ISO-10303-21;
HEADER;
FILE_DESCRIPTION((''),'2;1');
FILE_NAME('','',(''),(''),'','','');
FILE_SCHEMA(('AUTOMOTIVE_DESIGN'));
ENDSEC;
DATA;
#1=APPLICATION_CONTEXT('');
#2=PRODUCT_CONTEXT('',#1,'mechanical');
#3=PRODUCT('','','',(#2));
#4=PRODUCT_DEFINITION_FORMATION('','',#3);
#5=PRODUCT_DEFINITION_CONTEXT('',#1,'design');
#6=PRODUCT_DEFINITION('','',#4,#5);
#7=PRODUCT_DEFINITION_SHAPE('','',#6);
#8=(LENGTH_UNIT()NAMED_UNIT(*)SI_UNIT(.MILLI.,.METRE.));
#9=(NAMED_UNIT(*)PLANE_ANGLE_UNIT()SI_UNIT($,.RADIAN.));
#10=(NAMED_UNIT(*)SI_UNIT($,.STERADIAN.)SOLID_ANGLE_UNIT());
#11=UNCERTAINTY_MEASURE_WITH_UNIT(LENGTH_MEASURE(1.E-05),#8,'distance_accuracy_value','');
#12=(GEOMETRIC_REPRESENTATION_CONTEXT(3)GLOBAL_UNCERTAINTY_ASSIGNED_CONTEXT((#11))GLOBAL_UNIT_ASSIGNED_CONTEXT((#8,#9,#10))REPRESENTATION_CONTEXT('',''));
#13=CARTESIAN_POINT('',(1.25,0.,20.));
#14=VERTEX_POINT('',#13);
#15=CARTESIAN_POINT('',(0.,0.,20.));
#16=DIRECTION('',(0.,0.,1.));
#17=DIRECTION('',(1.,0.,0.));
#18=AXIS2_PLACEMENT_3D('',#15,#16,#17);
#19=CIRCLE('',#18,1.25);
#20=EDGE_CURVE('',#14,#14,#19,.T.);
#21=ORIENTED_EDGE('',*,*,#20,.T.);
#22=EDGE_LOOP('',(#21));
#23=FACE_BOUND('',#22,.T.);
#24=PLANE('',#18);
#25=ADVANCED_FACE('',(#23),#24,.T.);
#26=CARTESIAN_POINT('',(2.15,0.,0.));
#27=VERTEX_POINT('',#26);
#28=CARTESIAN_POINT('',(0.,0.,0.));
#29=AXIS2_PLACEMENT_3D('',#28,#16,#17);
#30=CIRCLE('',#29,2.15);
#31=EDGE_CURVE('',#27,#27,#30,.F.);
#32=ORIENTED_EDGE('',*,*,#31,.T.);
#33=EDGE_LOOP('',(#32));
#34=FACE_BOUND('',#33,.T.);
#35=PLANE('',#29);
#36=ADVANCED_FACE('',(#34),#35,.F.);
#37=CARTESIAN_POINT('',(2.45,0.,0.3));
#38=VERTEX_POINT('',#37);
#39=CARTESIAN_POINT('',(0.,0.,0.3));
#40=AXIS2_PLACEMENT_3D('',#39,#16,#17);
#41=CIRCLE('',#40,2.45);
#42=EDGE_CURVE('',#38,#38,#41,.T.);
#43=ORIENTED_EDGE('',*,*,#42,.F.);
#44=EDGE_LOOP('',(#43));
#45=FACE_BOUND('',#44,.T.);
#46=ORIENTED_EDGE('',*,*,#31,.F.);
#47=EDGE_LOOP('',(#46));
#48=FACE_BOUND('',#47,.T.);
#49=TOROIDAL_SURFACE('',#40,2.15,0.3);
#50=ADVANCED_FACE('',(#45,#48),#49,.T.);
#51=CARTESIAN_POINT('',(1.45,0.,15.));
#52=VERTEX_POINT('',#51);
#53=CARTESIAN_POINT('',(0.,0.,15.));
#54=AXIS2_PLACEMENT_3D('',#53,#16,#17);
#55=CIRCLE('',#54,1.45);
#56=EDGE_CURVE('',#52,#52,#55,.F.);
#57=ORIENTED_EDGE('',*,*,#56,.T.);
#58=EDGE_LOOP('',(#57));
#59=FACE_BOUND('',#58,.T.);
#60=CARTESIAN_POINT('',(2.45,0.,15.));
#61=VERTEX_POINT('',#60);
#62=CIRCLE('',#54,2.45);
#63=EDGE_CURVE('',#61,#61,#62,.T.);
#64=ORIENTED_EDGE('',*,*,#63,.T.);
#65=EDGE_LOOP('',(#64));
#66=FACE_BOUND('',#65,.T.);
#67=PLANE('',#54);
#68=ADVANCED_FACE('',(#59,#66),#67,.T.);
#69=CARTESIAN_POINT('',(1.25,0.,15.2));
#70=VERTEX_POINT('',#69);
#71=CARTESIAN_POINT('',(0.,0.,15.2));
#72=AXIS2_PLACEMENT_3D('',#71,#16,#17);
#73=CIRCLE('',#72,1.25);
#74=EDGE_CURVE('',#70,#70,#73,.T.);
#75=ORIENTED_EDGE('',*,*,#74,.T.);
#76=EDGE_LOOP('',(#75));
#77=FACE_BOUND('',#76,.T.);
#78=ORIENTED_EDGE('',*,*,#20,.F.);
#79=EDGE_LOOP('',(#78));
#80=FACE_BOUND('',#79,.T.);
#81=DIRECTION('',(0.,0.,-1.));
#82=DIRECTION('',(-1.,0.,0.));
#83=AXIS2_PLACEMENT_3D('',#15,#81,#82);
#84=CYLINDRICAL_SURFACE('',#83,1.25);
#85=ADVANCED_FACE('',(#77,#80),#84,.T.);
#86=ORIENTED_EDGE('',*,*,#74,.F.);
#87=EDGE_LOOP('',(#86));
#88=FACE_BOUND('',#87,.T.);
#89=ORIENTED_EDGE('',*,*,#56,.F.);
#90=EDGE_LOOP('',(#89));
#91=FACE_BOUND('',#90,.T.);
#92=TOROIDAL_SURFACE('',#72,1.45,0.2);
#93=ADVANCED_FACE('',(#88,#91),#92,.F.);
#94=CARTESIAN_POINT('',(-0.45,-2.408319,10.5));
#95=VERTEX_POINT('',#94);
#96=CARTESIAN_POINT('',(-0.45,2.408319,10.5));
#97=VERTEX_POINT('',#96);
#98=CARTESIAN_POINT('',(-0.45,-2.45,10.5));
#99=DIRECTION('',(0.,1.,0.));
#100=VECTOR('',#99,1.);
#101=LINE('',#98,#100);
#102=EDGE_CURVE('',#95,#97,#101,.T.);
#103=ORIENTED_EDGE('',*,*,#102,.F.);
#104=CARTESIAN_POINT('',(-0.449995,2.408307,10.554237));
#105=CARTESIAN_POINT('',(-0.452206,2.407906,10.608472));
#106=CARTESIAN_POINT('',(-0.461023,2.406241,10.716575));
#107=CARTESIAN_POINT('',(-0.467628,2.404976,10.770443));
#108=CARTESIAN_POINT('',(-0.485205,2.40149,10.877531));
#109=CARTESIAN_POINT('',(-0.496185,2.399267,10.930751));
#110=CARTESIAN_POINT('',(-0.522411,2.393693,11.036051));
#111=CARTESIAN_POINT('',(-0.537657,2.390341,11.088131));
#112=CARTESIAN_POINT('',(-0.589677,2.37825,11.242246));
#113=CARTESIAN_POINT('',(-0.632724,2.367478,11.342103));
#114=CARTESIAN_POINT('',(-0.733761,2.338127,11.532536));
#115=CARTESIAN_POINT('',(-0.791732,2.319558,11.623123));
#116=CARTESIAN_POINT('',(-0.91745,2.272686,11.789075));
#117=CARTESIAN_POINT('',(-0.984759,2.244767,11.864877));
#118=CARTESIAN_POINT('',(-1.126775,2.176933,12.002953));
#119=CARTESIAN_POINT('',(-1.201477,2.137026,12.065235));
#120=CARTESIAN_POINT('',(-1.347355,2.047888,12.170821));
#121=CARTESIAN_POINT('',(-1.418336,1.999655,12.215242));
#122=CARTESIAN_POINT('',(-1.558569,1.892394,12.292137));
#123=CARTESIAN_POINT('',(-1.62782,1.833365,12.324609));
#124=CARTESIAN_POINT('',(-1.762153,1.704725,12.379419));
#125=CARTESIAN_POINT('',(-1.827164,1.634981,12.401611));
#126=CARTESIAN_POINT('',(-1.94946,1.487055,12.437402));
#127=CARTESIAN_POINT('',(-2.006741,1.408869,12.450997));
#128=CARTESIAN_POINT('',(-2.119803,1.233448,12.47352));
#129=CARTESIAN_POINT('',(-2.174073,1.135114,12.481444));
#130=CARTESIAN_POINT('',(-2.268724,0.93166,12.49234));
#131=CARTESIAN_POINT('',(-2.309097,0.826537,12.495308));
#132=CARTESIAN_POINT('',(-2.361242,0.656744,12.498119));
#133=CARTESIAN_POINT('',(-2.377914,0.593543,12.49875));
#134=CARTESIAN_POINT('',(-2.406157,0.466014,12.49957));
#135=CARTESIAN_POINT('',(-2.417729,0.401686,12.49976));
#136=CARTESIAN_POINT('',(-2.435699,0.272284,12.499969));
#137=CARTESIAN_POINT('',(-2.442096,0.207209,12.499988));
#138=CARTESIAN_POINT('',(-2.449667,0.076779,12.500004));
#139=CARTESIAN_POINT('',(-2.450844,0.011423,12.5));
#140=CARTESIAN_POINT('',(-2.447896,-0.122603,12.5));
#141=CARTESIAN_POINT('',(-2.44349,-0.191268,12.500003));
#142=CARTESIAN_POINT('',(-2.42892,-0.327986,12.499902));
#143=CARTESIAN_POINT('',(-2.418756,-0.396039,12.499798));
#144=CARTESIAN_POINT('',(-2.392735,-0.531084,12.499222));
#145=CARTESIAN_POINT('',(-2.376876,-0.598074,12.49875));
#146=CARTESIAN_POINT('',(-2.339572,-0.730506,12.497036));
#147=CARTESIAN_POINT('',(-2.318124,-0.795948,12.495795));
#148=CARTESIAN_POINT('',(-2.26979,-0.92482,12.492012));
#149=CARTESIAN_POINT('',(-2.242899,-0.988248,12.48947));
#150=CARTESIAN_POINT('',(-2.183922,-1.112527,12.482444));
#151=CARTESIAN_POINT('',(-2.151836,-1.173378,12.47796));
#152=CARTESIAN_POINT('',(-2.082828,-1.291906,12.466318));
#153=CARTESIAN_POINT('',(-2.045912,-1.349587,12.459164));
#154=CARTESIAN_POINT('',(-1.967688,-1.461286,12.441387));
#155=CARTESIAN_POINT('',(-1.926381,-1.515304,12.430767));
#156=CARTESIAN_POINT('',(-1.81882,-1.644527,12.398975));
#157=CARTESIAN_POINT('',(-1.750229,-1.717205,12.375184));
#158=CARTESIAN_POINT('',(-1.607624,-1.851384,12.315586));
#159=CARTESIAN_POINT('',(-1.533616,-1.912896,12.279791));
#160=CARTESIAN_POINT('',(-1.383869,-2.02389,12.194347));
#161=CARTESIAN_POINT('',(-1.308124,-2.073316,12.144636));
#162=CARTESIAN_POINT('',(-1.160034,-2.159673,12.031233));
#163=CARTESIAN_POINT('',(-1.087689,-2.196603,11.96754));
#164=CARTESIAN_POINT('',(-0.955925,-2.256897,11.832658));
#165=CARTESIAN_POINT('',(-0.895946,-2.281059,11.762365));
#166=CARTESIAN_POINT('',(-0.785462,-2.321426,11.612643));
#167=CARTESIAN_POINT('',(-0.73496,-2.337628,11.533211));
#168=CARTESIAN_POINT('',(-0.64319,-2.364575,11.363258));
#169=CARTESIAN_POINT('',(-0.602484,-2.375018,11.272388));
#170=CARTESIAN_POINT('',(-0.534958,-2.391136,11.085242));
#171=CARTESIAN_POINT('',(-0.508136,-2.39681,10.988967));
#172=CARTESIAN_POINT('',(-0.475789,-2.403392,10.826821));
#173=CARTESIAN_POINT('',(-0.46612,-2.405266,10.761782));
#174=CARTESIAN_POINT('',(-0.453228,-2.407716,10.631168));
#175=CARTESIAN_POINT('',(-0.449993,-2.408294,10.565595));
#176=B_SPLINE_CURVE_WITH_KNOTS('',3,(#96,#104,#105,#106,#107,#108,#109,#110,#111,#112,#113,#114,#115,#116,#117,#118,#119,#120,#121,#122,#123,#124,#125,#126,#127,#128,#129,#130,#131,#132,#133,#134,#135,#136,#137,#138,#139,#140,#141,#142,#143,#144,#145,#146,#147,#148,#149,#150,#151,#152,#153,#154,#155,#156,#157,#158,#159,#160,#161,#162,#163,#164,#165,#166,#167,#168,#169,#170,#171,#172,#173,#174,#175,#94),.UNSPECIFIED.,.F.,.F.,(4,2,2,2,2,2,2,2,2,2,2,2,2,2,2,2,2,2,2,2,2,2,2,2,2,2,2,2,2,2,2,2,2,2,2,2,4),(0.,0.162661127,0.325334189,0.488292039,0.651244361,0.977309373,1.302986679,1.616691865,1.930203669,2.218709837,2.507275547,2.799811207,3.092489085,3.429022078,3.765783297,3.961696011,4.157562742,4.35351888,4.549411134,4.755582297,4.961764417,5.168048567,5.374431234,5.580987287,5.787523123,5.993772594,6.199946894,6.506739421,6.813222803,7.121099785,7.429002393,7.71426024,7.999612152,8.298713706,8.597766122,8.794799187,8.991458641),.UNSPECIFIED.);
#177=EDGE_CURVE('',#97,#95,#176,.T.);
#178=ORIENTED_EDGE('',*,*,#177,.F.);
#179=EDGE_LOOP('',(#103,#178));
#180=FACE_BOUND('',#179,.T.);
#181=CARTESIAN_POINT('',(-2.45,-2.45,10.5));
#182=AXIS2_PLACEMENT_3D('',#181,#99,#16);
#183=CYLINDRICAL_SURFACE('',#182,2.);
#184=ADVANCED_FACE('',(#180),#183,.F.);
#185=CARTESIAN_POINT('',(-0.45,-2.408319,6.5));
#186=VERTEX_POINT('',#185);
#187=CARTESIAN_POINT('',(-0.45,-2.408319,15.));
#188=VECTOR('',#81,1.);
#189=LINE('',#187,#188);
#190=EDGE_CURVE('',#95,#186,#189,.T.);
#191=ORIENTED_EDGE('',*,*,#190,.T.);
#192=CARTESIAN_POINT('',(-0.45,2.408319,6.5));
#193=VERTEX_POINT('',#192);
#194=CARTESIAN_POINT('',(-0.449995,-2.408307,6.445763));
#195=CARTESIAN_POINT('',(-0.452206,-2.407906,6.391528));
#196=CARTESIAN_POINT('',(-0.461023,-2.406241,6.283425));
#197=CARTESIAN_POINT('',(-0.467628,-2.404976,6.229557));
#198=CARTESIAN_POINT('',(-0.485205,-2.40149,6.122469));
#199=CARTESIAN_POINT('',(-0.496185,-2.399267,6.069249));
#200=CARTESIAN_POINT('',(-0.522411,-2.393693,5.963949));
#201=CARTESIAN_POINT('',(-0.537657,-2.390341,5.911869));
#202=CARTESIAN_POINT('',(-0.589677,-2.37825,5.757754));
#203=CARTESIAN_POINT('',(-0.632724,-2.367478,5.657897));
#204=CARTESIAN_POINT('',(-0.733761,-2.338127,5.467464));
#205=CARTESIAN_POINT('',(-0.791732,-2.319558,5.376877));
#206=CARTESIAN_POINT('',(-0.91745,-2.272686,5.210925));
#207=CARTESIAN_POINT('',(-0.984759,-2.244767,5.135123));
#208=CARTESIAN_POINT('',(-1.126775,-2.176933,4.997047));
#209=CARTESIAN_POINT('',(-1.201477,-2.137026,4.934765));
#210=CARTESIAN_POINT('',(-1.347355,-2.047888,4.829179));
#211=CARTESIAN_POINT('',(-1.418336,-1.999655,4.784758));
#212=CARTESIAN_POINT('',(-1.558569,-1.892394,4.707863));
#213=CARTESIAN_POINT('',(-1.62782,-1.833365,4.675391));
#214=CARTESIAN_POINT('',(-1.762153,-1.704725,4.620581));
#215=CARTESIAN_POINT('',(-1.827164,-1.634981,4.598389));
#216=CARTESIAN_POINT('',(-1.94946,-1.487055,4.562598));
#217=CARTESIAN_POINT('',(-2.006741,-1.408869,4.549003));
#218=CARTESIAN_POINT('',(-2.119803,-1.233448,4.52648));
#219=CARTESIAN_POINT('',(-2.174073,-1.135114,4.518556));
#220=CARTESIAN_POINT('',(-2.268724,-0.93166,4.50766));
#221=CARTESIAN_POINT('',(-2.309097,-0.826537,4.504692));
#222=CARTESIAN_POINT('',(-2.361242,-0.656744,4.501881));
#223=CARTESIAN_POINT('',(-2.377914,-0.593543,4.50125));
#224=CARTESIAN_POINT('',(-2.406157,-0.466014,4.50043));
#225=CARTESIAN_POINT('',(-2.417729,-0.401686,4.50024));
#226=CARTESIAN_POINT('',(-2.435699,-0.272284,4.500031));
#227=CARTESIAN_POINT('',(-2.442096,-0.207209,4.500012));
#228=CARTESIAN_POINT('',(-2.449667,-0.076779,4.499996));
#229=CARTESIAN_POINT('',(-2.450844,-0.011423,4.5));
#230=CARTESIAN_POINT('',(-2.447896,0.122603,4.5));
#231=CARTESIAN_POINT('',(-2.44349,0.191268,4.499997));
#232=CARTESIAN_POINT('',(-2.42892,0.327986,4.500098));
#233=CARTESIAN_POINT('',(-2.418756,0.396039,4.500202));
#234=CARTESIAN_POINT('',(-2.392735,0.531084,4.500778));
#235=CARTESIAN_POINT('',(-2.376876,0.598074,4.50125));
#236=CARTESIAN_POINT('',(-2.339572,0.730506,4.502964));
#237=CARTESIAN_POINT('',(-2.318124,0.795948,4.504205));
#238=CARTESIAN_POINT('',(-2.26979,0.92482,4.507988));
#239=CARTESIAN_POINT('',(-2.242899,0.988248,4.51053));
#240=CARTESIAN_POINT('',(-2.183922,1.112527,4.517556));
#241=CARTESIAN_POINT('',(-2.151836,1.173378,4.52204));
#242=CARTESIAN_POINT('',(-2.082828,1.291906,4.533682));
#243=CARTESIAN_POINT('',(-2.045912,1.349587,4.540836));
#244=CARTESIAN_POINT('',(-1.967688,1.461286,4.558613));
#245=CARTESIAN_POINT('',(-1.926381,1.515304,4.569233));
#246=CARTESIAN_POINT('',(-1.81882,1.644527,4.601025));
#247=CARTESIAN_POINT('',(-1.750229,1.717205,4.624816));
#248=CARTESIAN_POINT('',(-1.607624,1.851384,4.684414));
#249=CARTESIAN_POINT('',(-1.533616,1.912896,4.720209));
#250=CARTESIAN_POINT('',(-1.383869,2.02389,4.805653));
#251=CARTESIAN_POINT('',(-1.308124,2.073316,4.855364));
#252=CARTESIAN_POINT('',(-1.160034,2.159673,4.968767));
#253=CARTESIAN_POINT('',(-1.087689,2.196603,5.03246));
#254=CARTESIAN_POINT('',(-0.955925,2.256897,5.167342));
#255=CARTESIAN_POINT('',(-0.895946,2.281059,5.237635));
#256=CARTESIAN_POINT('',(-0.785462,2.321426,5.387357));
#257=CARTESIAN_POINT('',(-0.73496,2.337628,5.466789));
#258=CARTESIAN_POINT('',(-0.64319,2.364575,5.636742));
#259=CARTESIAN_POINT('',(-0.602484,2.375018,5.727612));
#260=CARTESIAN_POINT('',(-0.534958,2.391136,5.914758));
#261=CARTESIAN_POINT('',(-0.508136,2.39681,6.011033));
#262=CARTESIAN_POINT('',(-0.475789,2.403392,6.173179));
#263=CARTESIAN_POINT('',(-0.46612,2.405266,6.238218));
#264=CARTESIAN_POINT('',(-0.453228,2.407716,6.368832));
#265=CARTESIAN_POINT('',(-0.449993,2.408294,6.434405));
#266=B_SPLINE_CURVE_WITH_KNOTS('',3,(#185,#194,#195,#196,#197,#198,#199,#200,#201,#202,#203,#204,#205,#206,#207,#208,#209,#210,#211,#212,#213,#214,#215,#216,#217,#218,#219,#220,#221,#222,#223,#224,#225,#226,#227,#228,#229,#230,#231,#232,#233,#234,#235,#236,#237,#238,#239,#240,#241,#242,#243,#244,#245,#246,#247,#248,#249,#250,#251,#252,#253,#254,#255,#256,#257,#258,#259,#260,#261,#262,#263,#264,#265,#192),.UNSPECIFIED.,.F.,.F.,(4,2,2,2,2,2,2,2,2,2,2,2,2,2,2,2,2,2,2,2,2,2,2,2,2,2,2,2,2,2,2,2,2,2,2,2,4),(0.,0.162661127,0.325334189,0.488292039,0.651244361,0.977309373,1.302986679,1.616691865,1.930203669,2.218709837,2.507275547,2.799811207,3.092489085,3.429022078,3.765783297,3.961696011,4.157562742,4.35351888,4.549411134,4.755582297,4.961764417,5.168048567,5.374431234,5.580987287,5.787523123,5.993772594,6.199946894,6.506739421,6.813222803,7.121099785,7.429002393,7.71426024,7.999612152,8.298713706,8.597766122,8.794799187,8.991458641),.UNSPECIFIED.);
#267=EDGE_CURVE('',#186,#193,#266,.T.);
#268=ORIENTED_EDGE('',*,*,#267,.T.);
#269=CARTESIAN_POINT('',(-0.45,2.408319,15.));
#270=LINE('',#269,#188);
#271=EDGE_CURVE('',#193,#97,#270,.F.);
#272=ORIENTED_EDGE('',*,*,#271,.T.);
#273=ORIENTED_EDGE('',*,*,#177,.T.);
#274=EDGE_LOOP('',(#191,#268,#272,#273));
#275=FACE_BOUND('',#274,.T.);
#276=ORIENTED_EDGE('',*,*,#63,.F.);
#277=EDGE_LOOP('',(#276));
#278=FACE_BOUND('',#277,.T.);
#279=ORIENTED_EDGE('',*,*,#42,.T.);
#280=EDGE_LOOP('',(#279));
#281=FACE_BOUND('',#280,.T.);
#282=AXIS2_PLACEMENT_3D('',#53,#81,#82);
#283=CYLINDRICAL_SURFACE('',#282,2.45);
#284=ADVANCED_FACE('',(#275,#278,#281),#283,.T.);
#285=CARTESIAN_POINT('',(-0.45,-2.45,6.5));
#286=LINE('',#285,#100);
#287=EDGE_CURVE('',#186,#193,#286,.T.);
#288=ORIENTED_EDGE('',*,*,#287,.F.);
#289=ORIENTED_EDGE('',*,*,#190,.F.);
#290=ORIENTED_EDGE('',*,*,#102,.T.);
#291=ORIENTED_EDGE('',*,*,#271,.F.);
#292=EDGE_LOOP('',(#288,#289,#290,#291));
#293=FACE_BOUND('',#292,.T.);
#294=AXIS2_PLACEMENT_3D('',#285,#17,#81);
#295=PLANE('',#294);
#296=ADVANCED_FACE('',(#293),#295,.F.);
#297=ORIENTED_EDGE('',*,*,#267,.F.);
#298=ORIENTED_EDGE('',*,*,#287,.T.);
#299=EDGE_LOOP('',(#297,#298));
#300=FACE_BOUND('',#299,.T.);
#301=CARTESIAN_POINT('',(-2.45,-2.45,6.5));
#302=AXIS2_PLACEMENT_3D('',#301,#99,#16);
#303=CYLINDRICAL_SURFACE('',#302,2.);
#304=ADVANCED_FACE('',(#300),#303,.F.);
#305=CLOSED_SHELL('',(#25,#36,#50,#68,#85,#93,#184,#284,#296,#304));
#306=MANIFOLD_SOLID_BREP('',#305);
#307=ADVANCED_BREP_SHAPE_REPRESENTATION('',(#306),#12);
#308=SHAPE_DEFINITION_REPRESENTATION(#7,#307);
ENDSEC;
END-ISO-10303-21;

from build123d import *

# Parameters (mm, degrees)
SKETCH_1_R               = 2.45
EXTRUDE_1_DEPTH          = 15
CUT_EXTRUDE_1_DEPTH      = 16.39496671
CUT_EXTRUDE_1_DEPTH_BACK = 16.39496671
SKETCH_3_R               = 1.25
EXTRUDE_2_DEPTH          = 5
FILLET_1_R               = 0.3
FILLET_2_R               = 0.2


with BuildPart() as part:
    # 스케치1 → 보스-돌출1 (new body)
    with BuildSketch(Plane.XY):
        Circle(SKETCH_1_R)
    extrude(amount=EXTRUDE_1_DEPTH)

    # 스케치2 → 컷-돌출1 (cut, two sides: drawn at the far end of the back side and taken through both)
    with BuildSketch(Plane(origin=(0, 0, 0), x_dir=(1, 0, 0), z_dir=(0, 1, 0)).offset(-CUT_EXTRUDE_1_DEPTH_BACK)):
        with BuildLine():
            Line((-4.45, -6.5), (-4.45, -10.5))
            ThreePointArc((-4.45, -10.5), (-2.45, -12.5), (-0.45, -10.5))
            Line((-0.45, -10.5), (-0.45, -6.5))
            ThreePointArc((-0.45, -6.5), (-2.45, -4.5), (-4.45, -6.5))
        make_face()
    extrude(amount=CUT_EXTRUDE_1_DEPTH + CUT_EXTRUDE_1_DEPTH_BACK, mode=Mode.SUBTRACT)

    # 스케치3 → 보스-돌출2 (add)
    with BuildSketch(Plane.XY.offset(15)):
        Circle(SKETCH_3_R)
    extrude(amount=EXTRUDE_2_DEPTH)

    # 필렛1
    fillet_1_edges = [part.edges().sort_by_distance(p)[0] for p in [
        (-2.45, 0, 0),
    ]]
    fillet(fillet_1_edges, radius=FILLET_1_R)

    # 필렛2
    fillet_2_edges = [part.edges().sort_by_distance(p)[0] for p in [
        (-1.25, 0, 15),
    ]]
    fillet(fillet_2_edges, radius=FILLET_2_R)


solid = part.part
